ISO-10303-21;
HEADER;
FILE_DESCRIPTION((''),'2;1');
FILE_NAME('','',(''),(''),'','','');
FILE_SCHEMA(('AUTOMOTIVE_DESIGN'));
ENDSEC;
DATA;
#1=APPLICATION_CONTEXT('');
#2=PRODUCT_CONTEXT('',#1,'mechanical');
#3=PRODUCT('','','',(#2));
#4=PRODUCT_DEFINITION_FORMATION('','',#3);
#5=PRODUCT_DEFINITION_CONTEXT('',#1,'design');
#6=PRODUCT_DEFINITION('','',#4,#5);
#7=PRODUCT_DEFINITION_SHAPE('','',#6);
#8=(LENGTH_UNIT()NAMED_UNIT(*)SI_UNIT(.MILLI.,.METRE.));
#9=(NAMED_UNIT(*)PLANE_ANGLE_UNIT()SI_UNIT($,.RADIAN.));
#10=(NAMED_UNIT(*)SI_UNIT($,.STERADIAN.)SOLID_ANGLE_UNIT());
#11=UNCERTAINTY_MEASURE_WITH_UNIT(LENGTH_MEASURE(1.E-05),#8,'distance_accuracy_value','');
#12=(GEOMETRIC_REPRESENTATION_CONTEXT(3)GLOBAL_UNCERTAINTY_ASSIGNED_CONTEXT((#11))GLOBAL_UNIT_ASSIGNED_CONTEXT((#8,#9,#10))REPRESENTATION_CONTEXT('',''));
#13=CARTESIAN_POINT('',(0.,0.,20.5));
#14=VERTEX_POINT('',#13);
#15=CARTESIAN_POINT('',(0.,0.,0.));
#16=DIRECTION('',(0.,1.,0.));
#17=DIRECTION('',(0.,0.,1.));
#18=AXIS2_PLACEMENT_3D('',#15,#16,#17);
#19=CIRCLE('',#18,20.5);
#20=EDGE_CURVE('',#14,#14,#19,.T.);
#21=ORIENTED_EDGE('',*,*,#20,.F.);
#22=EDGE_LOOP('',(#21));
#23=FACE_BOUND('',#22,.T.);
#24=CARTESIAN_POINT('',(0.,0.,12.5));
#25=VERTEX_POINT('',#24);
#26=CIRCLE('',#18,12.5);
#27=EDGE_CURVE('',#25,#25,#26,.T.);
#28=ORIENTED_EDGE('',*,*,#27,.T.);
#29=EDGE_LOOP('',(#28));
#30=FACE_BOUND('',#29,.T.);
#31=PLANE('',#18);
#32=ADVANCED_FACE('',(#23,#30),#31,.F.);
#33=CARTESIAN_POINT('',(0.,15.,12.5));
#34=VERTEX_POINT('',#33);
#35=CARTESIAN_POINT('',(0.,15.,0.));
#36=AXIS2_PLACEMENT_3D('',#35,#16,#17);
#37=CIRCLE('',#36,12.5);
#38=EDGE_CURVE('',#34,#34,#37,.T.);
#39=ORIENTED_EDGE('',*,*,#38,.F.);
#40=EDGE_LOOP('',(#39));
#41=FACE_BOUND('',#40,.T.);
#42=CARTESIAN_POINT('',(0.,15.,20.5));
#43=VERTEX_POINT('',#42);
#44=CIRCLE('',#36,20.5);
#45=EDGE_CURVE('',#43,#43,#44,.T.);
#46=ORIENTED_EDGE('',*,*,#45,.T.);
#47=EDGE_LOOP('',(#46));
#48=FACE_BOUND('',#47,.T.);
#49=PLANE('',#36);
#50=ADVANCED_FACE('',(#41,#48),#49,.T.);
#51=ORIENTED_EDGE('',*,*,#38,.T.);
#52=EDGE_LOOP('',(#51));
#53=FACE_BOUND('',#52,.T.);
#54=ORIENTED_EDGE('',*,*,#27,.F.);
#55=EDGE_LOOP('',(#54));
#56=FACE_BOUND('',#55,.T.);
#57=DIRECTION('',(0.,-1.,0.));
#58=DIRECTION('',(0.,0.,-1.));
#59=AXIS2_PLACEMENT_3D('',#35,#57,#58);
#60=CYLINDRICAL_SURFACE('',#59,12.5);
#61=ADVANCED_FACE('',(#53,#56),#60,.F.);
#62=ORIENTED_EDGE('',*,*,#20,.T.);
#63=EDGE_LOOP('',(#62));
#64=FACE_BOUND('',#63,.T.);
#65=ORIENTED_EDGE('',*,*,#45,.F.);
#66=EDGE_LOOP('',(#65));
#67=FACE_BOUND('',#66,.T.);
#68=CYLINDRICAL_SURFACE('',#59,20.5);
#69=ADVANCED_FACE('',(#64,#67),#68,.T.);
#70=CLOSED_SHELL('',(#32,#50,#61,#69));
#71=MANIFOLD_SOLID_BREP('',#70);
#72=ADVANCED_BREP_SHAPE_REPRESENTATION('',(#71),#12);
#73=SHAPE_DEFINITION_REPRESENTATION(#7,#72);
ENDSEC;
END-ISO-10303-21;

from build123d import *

# Parameters (mm, degrees)
CROQUIS1_R              = 20.5
CROQUIS1_R_2            = 12.5
SALIENTE_EXTRUIR1_DEPTH = 15


with BuildPart() as part:
    # Croquis1 → Saliente-Extruir1 (new body)
    with BuildSketch(Plane(origin=(0, 0, 0), x_dir=(1, 0, 0), z_dir=(0, 1, 0))):
        Circle(CROQUIS1_R)
        Circle(CROQUIS1_R_2, mode=Mode.SUBTRACT)
    extrude(amount=SALIENTE_EXTRUIR1_DEPTH)


solid = part.part
